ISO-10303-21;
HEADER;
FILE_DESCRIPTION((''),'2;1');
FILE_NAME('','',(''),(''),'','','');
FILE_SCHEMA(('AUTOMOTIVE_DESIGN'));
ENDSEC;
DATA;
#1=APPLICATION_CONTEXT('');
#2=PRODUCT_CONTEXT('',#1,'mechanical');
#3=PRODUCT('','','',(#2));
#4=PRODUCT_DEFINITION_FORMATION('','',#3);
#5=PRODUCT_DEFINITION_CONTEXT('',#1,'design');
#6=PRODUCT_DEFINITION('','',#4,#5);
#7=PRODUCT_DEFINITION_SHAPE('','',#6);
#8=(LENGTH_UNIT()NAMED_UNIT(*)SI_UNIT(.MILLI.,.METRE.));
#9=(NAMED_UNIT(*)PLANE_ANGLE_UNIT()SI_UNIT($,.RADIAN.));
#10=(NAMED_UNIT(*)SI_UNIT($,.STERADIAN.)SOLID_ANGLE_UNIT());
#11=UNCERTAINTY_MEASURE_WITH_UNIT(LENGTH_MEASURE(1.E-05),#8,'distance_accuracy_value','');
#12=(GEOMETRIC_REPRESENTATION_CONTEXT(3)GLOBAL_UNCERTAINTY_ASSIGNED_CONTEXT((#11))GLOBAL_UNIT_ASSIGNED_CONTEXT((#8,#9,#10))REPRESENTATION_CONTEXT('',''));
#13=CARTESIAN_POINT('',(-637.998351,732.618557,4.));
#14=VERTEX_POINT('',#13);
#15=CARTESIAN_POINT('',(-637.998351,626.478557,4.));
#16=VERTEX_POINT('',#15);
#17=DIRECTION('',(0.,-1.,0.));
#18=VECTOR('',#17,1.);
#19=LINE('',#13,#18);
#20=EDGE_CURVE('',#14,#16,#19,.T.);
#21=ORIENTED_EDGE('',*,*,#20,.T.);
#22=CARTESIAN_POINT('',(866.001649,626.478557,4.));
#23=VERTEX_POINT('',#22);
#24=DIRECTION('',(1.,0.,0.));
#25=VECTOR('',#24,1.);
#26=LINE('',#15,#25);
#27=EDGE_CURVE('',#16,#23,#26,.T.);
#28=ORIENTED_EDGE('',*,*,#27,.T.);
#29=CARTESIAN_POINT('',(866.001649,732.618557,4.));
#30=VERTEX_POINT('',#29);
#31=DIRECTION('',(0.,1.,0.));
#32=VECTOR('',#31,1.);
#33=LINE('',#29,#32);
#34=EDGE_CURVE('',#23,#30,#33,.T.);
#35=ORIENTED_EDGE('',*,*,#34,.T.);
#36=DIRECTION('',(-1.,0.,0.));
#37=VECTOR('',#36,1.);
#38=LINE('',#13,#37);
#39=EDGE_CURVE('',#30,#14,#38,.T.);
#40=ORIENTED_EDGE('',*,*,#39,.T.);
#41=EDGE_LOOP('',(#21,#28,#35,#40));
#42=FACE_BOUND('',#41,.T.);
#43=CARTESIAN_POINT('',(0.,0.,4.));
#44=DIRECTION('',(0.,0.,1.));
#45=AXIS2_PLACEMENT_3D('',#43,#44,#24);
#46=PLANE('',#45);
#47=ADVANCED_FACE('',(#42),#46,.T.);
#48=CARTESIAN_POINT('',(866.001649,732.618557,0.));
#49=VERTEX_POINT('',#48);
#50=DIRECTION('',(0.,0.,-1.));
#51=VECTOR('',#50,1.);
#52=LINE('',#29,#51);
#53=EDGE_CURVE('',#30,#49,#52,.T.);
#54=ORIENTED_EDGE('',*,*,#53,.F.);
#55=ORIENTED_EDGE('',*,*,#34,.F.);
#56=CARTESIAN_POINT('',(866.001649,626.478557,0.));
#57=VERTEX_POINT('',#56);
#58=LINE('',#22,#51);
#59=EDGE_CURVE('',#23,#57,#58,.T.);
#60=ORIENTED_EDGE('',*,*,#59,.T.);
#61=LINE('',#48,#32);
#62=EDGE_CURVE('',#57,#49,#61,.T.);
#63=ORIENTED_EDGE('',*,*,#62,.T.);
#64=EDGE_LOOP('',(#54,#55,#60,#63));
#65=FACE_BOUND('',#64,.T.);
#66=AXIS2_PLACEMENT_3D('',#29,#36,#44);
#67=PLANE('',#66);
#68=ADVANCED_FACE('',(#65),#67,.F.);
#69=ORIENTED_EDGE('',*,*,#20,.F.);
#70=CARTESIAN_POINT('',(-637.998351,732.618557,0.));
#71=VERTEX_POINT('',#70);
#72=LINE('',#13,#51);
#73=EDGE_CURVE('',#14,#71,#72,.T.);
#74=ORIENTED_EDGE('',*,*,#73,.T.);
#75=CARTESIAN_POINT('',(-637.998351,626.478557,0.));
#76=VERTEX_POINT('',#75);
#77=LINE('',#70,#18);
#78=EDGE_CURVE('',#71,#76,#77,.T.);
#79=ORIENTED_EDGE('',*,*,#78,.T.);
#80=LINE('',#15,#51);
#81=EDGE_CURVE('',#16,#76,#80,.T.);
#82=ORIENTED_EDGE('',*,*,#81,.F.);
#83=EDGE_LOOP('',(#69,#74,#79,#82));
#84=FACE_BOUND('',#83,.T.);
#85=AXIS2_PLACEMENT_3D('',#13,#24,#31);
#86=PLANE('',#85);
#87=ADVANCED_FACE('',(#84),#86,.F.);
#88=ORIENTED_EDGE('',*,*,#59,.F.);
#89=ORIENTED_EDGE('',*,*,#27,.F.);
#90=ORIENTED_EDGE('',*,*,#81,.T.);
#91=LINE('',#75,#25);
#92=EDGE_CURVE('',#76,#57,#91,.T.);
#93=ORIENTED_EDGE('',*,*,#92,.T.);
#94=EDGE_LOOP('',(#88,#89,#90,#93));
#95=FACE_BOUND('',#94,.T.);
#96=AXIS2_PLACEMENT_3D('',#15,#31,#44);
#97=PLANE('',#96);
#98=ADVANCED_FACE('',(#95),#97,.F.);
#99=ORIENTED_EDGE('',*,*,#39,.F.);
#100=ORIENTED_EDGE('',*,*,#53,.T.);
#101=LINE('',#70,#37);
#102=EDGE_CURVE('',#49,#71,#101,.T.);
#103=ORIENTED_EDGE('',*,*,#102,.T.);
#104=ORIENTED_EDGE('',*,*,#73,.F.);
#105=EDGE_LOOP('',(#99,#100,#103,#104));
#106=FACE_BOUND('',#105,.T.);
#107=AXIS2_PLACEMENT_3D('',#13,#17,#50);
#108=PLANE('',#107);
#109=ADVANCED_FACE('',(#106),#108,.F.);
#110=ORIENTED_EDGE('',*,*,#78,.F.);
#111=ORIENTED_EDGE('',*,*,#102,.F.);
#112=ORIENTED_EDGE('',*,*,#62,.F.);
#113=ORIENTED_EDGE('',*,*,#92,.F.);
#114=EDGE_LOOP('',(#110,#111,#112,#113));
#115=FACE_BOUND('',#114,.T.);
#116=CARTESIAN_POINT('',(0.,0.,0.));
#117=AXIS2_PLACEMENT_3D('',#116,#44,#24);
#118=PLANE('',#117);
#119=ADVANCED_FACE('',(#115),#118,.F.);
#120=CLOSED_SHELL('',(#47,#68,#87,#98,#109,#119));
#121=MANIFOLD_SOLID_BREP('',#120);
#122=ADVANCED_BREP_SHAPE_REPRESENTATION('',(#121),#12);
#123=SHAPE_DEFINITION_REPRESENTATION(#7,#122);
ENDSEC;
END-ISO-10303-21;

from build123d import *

# Parameters (mm, degrees)
SKETCH1_W           = 1504
SKETCH1_H           = 106.14
BOSS_EXTRUDE1_DEPTH = 4


with BuildPart() as part:
    # Sketch1 → Boss-Extrude1 (new body)
    with BuildSketch(Plane.XY):
        with Locations((114.001649485, 679.548556701)):
            Rectangle(SKETCH1_W, SKETCH1_H)
    extrude(amount=BOSS_EXTRUDE1_DEPTH)


solid = part.part
